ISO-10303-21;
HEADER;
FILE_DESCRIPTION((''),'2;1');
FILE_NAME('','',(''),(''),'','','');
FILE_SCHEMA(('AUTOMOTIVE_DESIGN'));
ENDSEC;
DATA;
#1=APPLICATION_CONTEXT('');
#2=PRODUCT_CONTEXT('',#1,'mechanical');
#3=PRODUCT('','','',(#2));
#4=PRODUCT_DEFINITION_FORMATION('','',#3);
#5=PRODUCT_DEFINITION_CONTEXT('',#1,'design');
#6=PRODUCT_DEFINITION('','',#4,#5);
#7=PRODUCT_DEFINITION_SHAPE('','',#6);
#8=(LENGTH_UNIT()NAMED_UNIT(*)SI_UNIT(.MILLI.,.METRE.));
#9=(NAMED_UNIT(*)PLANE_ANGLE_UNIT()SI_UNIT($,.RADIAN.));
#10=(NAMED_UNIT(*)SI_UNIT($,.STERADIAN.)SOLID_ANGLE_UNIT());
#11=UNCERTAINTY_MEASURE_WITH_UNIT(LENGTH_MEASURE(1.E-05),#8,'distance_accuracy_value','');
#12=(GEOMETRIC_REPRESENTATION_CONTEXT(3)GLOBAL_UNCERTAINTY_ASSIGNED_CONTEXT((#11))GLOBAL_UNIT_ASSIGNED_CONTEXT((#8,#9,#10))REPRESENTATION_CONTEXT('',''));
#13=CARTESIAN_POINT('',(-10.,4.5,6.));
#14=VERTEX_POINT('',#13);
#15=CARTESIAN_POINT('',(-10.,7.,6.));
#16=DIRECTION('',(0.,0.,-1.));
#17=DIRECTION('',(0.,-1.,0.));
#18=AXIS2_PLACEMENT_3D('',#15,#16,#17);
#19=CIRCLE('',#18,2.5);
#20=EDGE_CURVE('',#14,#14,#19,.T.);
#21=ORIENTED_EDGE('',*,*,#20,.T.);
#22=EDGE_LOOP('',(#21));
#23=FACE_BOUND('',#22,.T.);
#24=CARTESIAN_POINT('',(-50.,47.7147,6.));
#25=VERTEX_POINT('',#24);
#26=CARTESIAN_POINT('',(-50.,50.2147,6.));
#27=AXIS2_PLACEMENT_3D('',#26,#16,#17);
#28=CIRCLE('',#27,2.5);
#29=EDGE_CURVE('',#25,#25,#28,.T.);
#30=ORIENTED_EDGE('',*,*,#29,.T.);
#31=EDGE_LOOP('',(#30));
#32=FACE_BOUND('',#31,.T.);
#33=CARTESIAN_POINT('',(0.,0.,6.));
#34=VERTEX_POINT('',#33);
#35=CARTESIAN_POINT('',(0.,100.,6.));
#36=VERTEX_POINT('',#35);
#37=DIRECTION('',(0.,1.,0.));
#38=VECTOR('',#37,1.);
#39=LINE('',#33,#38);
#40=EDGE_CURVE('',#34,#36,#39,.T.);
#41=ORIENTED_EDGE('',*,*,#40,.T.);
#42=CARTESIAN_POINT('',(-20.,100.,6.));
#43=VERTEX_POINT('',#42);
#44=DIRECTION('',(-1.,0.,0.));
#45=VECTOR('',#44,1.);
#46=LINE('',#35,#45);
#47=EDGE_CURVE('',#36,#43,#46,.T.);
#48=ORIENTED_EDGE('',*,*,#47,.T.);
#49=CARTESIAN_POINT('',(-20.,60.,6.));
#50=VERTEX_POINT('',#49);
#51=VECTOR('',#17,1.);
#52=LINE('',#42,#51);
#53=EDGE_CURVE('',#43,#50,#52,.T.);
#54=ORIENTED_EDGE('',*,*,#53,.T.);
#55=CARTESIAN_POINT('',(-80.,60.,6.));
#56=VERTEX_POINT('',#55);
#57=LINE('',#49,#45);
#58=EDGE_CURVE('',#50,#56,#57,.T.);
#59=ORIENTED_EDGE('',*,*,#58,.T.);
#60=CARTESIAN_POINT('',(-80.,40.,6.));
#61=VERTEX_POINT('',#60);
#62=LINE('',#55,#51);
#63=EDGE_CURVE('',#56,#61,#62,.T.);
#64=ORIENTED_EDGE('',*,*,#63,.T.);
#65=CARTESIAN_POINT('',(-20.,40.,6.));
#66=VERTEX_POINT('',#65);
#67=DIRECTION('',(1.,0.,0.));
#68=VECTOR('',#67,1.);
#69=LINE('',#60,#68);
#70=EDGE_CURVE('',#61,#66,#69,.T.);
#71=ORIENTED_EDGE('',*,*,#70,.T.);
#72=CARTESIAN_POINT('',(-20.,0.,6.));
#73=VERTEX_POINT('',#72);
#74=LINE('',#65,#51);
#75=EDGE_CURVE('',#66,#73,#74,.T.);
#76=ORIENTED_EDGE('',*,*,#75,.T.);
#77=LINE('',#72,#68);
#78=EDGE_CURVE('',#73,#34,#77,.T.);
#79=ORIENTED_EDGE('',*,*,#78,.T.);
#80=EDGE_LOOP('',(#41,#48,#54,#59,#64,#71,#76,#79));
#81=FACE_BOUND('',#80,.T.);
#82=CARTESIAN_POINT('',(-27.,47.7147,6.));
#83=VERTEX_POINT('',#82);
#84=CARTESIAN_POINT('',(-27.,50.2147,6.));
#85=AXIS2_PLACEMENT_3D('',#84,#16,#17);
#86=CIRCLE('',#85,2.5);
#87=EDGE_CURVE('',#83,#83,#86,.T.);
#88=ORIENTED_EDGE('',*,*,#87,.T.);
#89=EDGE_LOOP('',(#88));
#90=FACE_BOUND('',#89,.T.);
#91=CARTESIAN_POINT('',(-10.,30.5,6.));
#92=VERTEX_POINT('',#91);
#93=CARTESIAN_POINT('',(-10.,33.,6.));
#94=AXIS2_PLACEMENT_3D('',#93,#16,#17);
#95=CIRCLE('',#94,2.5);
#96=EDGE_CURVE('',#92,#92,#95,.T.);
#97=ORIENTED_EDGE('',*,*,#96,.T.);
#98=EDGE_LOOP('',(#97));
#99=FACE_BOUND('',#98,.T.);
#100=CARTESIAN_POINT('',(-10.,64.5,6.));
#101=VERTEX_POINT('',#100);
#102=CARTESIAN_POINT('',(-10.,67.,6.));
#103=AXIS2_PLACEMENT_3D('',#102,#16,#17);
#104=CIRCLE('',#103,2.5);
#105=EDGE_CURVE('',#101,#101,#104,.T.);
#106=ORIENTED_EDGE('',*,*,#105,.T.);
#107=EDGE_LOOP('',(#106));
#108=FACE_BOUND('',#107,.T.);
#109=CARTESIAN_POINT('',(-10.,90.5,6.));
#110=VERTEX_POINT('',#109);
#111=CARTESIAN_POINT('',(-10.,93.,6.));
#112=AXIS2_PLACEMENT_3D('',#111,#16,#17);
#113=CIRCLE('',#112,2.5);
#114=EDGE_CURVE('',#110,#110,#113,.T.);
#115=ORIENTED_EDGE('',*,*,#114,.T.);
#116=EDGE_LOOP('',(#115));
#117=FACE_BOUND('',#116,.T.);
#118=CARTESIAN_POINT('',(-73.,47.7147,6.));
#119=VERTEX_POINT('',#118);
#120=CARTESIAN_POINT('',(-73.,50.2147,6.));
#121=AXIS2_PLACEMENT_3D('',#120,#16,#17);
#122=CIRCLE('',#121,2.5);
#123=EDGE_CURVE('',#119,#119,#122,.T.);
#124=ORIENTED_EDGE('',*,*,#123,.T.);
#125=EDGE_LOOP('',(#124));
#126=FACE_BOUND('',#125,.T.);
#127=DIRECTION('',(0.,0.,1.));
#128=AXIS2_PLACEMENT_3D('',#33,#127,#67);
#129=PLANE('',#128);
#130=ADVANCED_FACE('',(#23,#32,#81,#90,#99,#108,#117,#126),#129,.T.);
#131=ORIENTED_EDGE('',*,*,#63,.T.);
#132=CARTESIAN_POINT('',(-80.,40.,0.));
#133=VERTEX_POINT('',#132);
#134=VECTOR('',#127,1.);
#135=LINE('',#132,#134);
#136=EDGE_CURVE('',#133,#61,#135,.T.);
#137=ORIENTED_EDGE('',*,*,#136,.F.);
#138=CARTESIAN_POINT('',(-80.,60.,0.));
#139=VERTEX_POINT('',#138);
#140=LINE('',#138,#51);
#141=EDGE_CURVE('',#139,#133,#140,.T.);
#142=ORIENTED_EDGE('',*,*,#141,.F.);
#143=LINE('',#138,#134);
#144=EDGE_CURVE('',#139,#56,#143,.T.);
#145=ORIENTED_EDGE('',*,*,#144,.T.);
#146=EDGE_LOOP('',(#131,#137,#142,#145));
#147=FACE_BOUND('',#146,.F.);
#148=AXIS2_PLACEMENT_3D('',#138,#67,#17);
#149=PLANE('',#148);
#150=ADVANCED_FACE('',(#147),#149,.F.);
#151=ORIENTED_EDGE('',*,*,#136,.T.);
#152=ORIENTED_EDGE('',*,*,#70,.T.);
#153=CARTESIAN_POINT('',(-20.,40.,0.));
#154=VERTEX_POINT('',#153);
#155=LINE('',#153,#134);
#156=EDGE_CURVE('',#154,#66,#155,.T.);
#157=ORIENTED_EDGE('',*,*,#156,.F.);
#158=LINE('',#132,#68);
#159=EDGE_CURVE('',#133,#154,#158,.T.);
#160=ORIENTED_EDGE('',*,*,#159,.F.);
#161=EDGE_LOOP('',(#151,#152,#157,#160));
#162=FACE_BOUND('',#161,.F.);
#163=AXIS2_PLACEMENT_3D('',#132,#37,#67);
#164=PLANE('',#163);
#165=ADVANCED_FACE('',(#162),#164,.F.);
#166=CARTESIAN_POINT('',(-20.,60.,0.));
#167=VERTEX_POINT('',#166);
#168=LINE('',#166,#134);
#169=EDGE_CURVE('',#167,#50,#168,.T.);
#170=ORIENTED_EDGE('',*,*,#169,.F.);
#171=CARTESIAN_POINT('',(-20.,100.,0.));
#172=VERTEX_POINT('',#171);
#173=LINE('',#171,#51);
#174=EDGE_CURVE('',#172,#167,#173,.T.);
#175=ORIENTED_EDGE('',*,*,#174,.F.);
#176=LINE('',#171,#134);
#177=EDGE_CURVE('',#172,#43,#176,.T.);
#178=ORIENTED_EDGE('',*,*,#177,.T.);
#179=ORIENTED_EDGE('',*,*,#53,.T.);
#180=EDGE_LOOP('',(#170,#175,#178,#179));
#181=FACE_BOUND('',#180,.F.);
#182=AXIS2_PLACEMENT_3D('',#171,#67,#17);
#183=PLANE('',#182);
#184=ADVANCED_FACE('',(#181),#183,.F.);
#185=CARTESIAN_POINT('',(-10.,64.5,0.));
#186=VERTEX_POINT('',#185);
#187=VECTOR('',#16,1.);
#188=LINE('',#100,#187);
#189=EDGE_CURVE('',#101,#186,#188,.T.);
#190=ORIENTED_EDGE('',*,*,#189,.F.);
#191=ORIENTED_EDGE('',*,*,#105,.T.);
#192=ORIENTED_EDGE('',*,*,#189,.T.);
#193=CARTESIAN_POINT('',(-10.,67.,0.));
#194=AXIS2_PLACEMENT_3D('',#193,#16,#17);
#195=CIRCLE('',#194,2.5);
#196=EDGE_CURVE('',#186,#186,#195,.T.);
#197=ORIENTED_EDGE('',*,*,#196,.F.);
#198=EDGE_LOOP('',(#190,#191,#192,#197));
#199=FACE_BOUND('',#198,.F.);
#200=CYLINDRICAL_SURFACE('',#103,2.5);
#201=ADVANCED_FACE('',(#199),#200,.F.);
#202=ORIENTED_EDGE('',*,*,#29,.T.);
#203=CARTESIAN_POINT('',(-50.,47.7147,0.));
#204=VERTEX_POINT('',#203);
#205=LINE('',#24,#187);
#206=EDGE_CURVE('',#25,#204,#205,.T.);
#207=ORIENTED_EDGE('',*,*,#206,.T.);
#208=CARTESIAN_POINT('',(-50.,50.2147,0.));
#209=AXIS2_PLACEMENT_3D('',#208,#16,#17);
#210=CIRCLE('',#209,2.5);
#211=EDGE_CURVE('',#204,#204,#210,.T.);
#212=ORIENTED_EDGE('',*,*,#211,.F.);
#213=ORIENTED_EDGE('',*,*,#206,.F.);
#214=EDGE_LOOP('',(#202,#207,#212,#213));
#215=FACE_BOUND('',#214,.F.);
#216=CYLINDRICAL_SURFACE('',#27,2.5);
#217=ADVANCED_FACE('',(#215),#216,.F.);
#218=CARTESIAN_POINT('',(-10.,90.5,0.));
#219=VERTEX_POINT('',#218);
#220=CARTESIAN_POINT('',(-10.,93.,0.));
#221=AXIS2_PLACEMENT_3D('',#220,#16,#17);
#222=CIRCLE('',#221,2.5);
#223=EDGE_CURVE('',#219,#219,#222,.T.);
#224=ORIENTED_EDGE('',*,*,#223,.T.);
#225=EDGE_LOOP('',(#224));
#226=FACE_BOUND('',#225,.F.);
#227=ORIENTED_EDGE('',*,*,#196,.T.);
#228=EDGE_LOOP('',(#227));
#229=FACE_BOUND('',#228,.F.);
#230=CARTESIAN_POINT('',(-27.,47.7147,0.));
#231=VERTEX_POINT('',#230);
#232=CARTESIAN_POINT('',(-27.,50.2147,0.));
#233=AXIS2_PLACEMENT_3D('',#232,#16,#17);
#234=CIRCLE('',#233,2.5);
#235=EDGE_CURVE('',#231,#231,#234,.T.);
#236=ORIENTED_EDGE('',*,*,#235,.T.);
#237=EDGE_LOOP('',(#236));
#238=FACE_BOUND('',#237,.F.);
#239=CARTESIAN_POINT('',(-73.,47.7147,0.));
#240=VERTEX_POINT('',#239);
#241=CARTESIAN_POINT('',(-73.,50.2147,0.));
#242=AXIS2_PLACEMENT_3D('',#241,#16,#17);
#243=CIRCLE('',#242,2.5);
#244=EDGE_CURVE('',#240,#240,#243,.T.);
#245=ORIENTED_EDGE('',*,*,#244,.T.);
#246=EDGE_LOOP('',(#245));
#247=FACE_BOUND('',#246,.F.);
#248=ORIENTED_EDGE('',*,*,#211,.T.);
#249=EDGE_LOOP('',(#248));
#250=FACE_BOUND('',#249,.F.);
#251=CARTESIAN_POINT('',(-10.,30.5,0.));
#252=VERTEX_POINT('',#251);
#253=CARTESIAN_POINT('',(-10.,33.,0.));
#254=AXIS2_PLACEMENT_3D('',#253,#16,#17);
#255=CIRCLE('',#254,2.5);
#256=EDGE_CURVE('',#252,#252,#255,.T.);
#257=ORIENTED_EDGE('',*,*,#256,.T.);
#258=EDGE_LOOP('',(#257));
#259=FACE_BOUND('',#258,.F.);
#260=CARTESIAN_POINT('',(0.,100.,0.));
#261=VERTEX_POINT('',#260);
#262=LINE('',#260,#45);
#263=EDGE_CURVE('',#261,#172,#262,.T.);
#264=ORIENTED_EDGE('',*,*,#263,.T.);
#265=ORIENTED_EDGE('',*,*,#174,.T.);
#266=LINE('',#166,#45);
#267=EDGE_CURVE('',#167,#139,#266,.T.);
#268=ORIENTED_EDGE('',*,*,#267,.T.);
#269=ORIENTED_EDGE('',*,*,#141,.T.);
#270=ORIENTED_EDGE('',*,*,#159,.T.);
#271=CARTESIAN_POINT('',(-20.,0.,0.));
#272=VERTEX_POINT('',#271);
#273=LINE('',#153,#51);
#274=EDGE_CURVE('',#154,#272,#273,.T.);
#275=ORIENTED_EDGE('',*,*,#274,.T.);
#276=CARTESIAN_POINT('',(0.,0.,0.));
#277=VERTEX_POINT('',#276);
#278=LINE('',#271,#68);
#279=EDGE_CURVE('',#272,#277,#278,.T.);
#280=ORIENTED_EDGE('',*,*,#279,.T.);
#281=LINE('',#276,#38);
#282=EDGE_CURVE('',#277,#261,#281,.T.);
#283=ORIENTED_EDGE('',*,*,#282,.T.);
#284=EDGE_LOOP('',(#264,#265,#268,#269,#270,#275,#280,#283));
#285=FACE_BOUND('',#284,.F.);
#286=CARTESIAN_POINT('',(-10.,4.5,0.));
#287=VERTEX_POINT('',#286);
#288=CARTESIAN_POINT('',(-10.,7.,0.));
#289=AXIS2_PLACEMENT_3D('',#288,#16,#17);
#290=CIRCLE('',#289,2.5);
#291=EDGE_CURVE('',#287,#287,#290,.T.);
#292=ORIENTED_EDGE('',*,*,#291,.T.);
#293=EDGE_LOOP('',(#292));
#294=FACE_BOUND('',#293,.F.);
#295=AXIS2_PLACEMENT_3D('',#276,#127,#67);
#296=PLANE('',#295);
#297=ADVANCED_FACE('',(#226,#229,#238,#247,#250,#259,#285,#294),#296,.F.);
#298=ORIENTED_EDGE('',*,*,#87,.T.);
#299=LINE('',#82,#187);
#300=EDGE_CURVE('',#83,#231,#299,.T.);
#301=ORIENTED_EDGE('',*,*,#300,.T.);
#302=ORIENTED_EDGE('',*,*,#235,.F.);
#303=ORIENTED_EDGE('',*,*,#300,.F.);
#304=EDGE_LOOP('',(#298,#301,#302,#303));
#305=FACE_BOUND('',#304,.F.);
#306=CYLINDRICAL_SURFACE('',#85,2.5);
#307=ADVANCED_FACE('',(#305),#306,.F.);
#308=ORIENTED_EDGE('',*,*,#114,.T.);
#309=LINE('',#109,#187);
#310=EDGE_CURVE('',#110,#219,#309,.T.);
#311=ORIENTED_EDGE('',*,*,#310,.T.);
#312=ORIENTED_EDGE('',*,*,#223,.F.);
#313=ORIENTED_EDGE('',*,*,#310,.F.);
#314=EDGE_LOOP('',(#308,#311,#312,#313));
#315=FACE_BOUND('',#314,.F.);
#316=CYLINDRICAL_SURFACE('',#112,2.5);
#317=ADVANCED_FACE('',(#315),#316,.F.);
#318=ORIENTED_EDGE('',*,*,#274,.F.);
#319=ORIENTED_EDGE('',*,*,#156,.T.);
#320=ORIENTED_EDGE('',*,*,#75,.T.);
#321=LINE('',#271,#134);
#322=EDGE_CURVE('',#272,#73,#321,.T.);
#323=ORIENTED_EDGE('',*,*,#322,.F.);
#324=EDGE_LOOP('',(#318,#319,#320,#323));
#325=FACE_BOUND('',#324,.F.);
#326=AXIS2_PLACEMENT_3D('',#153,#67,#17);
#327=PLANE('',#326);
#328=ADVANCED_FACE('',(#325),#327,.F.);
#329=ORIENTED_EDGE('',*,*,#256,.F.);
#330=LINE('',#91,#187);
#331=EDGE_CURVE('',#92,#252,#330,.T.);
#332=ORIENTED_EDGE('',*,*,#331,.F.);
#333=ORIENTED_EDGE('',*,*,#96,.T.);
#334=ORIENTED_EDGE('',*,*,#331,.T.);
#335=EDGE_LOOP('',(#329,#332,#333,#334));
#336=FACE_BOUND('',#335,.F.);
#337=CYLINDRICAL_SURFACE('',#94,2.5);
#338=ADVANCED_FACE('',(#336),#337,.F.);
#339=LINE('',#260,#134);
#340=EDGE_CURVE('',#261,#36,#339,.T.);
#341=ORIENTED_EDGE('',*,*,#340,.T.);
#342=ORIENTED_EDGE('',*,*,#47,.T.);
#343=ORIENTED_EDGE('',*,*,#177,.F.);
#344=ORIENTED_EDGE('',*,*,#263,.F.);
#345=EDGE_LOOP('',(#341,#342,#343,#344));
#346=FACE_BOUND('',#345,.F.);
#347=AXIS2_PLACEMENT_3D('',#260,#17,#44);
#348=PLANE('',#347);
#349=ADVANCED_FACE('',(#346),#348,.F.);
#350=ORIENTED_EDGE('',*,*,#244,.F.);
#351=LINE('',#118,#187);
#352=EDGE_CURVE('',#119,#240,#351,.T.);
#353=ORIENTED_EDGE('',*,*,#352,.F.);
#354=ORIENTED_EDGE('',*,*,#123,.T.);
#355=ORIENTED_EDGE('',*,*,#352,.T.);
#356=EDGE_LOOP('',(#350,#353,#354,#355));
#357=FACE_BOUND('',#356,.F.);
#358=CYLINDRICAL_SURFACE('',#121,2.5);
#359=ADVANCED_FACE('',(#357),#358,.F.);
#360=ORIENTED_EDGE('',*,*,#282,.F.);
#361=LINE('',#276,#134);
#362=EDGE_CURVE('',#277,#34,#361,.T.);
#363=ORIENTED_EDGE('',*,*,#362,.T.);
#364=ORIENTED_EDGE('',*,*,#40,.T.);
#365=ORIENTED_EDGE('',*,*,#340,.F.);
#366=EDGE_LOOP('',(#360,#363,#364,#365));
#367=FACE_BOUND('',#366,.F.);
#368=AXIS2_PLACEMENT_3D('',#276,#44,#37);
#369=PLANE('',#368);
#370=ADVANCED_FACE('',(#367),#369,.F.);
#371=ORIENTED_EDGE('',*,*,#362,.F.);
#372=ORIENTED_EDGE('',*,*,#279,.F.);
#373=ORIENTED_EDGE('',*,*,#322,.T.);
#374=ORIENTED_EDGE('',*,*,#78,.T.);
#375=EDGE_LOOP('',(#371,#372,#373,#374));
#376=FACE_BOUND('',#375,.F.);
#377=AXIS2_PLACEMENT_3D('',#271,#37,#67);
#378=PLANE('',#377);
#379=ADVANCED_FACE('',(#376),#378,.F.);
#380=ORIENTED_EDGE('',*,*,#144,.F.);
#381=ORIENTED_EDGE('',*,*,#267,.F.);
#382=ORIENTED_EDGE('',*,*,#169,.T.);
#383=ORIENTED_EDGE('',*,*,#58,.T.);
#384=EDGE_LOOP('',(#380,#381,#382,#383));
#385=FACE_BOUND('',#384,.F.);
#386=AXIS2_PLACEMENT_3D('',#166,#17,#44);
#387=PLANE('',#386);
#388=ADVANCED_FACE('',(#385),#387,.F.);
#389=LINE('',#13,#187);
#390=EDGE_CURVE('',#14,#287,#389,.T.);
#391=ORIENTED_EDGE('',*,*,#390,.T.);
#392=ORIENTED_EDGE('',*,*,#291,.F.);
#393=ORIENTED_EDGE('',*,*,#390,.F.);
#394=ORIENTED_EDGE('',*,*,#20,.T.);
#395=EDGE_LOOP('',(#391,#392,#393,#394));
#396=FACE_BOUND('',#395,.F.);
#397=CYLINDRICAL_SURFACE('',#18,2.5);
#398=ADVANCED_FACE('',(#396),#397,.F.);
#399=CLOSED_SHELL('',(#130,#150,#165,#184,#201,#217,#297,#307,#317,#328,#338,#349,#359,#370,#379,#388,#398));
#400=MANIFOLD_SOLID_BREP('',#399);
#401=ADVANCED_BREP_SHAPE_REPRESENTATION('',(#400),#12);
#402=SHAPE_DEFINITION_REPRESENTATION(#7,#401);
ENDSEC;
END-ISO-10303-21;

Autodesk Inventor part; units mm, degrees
ref_plane "YZ Plane" through (0, 0, 0) normal (1, 0, 0) x (0, 1, 0)
ref_plane "XZ Plane" through (0, 0, 0) normal (0, 1, 0) x (-1, 0, 0)
ref_plane "XY Plane" through (0, 0, 0) normal (0, 0, 1) x (1, 0, 0)
sketch "Sketch1" plane through (0, 0, 0) normal (0, 0, 1) x (1, 0, 0)
  line L0 (0, 0) -> (0, 100)
  line L1 (0, 100) -> (-20, 100)
  line L2 (-20, 100) -> (-20, 60)
  line L3 (-20, 60) -> (-80, 60)
  line L4 (-80, 60) -> (-80, 40)
  line L5 (-80, 40) -> (-20, 40)
  line L6 (-20, 40) -> (-20, 0)
  line L7 (-20, 0) -> (0, 0)
  dimension "d0" = 20
  dimension "d1" = 100
  dimension "d2" = 20
  dimension "d3" = 40
  dimension "d4" = 60
extrude "Extrusion1" add sketch "Sketch1" along normal blind 6
sketch "Sketch2" plane through (0, 0, 6) normal (0, 0, 1) x (1, 0, 0)
  line L0 (0, 100) -> (-20, 100) projected
  line L1 (-20, 60) -> (-80, 60) projected
  line L2 (-80, 40) -> (-20, 40) projected
  line L3 (-20, 0) -> (0, 0) projected
  line L4 (-20, 40) -> (-20, 0) projected
  line L5 (-20, 100) -> (-20, 60) projected
  line L6 (-80, 60) -> (-80, 40) projected
  point P0 (-10, 93)
  point P1 (-10, 67)
  point P2 (-10, 33)
  point P3 (-10, 7)
  point P4 (-73, 50.2147)
  point P5 (-50, 50.2147)
  point P6 (-27, 50.2147)
  dimension "d7" = 7
  dimension "d8" = 7
  dimension "d9" = 7
  dimension "d10" = 7
  dimension "d11" = 10
  dimension "d12" = 10
  dimension "d13" = 10
  dimension "d14" = 10
  dimension "d15" = 7
  dimension "d16" = 7
  dimension "d17" = 23
hole "Hole1" at (-10, 93, 6) at (-10, 67, 6) at (-10, 33, 6) at (-10, 7, 6) at (-73, 50.2147, 6) at (-50, 50.2147, 6) at (-27, 50.2147, 6) direction (0, 0, -1) diameter 5 depth 8 tip angle 118
properties part number "side corner brackets"
